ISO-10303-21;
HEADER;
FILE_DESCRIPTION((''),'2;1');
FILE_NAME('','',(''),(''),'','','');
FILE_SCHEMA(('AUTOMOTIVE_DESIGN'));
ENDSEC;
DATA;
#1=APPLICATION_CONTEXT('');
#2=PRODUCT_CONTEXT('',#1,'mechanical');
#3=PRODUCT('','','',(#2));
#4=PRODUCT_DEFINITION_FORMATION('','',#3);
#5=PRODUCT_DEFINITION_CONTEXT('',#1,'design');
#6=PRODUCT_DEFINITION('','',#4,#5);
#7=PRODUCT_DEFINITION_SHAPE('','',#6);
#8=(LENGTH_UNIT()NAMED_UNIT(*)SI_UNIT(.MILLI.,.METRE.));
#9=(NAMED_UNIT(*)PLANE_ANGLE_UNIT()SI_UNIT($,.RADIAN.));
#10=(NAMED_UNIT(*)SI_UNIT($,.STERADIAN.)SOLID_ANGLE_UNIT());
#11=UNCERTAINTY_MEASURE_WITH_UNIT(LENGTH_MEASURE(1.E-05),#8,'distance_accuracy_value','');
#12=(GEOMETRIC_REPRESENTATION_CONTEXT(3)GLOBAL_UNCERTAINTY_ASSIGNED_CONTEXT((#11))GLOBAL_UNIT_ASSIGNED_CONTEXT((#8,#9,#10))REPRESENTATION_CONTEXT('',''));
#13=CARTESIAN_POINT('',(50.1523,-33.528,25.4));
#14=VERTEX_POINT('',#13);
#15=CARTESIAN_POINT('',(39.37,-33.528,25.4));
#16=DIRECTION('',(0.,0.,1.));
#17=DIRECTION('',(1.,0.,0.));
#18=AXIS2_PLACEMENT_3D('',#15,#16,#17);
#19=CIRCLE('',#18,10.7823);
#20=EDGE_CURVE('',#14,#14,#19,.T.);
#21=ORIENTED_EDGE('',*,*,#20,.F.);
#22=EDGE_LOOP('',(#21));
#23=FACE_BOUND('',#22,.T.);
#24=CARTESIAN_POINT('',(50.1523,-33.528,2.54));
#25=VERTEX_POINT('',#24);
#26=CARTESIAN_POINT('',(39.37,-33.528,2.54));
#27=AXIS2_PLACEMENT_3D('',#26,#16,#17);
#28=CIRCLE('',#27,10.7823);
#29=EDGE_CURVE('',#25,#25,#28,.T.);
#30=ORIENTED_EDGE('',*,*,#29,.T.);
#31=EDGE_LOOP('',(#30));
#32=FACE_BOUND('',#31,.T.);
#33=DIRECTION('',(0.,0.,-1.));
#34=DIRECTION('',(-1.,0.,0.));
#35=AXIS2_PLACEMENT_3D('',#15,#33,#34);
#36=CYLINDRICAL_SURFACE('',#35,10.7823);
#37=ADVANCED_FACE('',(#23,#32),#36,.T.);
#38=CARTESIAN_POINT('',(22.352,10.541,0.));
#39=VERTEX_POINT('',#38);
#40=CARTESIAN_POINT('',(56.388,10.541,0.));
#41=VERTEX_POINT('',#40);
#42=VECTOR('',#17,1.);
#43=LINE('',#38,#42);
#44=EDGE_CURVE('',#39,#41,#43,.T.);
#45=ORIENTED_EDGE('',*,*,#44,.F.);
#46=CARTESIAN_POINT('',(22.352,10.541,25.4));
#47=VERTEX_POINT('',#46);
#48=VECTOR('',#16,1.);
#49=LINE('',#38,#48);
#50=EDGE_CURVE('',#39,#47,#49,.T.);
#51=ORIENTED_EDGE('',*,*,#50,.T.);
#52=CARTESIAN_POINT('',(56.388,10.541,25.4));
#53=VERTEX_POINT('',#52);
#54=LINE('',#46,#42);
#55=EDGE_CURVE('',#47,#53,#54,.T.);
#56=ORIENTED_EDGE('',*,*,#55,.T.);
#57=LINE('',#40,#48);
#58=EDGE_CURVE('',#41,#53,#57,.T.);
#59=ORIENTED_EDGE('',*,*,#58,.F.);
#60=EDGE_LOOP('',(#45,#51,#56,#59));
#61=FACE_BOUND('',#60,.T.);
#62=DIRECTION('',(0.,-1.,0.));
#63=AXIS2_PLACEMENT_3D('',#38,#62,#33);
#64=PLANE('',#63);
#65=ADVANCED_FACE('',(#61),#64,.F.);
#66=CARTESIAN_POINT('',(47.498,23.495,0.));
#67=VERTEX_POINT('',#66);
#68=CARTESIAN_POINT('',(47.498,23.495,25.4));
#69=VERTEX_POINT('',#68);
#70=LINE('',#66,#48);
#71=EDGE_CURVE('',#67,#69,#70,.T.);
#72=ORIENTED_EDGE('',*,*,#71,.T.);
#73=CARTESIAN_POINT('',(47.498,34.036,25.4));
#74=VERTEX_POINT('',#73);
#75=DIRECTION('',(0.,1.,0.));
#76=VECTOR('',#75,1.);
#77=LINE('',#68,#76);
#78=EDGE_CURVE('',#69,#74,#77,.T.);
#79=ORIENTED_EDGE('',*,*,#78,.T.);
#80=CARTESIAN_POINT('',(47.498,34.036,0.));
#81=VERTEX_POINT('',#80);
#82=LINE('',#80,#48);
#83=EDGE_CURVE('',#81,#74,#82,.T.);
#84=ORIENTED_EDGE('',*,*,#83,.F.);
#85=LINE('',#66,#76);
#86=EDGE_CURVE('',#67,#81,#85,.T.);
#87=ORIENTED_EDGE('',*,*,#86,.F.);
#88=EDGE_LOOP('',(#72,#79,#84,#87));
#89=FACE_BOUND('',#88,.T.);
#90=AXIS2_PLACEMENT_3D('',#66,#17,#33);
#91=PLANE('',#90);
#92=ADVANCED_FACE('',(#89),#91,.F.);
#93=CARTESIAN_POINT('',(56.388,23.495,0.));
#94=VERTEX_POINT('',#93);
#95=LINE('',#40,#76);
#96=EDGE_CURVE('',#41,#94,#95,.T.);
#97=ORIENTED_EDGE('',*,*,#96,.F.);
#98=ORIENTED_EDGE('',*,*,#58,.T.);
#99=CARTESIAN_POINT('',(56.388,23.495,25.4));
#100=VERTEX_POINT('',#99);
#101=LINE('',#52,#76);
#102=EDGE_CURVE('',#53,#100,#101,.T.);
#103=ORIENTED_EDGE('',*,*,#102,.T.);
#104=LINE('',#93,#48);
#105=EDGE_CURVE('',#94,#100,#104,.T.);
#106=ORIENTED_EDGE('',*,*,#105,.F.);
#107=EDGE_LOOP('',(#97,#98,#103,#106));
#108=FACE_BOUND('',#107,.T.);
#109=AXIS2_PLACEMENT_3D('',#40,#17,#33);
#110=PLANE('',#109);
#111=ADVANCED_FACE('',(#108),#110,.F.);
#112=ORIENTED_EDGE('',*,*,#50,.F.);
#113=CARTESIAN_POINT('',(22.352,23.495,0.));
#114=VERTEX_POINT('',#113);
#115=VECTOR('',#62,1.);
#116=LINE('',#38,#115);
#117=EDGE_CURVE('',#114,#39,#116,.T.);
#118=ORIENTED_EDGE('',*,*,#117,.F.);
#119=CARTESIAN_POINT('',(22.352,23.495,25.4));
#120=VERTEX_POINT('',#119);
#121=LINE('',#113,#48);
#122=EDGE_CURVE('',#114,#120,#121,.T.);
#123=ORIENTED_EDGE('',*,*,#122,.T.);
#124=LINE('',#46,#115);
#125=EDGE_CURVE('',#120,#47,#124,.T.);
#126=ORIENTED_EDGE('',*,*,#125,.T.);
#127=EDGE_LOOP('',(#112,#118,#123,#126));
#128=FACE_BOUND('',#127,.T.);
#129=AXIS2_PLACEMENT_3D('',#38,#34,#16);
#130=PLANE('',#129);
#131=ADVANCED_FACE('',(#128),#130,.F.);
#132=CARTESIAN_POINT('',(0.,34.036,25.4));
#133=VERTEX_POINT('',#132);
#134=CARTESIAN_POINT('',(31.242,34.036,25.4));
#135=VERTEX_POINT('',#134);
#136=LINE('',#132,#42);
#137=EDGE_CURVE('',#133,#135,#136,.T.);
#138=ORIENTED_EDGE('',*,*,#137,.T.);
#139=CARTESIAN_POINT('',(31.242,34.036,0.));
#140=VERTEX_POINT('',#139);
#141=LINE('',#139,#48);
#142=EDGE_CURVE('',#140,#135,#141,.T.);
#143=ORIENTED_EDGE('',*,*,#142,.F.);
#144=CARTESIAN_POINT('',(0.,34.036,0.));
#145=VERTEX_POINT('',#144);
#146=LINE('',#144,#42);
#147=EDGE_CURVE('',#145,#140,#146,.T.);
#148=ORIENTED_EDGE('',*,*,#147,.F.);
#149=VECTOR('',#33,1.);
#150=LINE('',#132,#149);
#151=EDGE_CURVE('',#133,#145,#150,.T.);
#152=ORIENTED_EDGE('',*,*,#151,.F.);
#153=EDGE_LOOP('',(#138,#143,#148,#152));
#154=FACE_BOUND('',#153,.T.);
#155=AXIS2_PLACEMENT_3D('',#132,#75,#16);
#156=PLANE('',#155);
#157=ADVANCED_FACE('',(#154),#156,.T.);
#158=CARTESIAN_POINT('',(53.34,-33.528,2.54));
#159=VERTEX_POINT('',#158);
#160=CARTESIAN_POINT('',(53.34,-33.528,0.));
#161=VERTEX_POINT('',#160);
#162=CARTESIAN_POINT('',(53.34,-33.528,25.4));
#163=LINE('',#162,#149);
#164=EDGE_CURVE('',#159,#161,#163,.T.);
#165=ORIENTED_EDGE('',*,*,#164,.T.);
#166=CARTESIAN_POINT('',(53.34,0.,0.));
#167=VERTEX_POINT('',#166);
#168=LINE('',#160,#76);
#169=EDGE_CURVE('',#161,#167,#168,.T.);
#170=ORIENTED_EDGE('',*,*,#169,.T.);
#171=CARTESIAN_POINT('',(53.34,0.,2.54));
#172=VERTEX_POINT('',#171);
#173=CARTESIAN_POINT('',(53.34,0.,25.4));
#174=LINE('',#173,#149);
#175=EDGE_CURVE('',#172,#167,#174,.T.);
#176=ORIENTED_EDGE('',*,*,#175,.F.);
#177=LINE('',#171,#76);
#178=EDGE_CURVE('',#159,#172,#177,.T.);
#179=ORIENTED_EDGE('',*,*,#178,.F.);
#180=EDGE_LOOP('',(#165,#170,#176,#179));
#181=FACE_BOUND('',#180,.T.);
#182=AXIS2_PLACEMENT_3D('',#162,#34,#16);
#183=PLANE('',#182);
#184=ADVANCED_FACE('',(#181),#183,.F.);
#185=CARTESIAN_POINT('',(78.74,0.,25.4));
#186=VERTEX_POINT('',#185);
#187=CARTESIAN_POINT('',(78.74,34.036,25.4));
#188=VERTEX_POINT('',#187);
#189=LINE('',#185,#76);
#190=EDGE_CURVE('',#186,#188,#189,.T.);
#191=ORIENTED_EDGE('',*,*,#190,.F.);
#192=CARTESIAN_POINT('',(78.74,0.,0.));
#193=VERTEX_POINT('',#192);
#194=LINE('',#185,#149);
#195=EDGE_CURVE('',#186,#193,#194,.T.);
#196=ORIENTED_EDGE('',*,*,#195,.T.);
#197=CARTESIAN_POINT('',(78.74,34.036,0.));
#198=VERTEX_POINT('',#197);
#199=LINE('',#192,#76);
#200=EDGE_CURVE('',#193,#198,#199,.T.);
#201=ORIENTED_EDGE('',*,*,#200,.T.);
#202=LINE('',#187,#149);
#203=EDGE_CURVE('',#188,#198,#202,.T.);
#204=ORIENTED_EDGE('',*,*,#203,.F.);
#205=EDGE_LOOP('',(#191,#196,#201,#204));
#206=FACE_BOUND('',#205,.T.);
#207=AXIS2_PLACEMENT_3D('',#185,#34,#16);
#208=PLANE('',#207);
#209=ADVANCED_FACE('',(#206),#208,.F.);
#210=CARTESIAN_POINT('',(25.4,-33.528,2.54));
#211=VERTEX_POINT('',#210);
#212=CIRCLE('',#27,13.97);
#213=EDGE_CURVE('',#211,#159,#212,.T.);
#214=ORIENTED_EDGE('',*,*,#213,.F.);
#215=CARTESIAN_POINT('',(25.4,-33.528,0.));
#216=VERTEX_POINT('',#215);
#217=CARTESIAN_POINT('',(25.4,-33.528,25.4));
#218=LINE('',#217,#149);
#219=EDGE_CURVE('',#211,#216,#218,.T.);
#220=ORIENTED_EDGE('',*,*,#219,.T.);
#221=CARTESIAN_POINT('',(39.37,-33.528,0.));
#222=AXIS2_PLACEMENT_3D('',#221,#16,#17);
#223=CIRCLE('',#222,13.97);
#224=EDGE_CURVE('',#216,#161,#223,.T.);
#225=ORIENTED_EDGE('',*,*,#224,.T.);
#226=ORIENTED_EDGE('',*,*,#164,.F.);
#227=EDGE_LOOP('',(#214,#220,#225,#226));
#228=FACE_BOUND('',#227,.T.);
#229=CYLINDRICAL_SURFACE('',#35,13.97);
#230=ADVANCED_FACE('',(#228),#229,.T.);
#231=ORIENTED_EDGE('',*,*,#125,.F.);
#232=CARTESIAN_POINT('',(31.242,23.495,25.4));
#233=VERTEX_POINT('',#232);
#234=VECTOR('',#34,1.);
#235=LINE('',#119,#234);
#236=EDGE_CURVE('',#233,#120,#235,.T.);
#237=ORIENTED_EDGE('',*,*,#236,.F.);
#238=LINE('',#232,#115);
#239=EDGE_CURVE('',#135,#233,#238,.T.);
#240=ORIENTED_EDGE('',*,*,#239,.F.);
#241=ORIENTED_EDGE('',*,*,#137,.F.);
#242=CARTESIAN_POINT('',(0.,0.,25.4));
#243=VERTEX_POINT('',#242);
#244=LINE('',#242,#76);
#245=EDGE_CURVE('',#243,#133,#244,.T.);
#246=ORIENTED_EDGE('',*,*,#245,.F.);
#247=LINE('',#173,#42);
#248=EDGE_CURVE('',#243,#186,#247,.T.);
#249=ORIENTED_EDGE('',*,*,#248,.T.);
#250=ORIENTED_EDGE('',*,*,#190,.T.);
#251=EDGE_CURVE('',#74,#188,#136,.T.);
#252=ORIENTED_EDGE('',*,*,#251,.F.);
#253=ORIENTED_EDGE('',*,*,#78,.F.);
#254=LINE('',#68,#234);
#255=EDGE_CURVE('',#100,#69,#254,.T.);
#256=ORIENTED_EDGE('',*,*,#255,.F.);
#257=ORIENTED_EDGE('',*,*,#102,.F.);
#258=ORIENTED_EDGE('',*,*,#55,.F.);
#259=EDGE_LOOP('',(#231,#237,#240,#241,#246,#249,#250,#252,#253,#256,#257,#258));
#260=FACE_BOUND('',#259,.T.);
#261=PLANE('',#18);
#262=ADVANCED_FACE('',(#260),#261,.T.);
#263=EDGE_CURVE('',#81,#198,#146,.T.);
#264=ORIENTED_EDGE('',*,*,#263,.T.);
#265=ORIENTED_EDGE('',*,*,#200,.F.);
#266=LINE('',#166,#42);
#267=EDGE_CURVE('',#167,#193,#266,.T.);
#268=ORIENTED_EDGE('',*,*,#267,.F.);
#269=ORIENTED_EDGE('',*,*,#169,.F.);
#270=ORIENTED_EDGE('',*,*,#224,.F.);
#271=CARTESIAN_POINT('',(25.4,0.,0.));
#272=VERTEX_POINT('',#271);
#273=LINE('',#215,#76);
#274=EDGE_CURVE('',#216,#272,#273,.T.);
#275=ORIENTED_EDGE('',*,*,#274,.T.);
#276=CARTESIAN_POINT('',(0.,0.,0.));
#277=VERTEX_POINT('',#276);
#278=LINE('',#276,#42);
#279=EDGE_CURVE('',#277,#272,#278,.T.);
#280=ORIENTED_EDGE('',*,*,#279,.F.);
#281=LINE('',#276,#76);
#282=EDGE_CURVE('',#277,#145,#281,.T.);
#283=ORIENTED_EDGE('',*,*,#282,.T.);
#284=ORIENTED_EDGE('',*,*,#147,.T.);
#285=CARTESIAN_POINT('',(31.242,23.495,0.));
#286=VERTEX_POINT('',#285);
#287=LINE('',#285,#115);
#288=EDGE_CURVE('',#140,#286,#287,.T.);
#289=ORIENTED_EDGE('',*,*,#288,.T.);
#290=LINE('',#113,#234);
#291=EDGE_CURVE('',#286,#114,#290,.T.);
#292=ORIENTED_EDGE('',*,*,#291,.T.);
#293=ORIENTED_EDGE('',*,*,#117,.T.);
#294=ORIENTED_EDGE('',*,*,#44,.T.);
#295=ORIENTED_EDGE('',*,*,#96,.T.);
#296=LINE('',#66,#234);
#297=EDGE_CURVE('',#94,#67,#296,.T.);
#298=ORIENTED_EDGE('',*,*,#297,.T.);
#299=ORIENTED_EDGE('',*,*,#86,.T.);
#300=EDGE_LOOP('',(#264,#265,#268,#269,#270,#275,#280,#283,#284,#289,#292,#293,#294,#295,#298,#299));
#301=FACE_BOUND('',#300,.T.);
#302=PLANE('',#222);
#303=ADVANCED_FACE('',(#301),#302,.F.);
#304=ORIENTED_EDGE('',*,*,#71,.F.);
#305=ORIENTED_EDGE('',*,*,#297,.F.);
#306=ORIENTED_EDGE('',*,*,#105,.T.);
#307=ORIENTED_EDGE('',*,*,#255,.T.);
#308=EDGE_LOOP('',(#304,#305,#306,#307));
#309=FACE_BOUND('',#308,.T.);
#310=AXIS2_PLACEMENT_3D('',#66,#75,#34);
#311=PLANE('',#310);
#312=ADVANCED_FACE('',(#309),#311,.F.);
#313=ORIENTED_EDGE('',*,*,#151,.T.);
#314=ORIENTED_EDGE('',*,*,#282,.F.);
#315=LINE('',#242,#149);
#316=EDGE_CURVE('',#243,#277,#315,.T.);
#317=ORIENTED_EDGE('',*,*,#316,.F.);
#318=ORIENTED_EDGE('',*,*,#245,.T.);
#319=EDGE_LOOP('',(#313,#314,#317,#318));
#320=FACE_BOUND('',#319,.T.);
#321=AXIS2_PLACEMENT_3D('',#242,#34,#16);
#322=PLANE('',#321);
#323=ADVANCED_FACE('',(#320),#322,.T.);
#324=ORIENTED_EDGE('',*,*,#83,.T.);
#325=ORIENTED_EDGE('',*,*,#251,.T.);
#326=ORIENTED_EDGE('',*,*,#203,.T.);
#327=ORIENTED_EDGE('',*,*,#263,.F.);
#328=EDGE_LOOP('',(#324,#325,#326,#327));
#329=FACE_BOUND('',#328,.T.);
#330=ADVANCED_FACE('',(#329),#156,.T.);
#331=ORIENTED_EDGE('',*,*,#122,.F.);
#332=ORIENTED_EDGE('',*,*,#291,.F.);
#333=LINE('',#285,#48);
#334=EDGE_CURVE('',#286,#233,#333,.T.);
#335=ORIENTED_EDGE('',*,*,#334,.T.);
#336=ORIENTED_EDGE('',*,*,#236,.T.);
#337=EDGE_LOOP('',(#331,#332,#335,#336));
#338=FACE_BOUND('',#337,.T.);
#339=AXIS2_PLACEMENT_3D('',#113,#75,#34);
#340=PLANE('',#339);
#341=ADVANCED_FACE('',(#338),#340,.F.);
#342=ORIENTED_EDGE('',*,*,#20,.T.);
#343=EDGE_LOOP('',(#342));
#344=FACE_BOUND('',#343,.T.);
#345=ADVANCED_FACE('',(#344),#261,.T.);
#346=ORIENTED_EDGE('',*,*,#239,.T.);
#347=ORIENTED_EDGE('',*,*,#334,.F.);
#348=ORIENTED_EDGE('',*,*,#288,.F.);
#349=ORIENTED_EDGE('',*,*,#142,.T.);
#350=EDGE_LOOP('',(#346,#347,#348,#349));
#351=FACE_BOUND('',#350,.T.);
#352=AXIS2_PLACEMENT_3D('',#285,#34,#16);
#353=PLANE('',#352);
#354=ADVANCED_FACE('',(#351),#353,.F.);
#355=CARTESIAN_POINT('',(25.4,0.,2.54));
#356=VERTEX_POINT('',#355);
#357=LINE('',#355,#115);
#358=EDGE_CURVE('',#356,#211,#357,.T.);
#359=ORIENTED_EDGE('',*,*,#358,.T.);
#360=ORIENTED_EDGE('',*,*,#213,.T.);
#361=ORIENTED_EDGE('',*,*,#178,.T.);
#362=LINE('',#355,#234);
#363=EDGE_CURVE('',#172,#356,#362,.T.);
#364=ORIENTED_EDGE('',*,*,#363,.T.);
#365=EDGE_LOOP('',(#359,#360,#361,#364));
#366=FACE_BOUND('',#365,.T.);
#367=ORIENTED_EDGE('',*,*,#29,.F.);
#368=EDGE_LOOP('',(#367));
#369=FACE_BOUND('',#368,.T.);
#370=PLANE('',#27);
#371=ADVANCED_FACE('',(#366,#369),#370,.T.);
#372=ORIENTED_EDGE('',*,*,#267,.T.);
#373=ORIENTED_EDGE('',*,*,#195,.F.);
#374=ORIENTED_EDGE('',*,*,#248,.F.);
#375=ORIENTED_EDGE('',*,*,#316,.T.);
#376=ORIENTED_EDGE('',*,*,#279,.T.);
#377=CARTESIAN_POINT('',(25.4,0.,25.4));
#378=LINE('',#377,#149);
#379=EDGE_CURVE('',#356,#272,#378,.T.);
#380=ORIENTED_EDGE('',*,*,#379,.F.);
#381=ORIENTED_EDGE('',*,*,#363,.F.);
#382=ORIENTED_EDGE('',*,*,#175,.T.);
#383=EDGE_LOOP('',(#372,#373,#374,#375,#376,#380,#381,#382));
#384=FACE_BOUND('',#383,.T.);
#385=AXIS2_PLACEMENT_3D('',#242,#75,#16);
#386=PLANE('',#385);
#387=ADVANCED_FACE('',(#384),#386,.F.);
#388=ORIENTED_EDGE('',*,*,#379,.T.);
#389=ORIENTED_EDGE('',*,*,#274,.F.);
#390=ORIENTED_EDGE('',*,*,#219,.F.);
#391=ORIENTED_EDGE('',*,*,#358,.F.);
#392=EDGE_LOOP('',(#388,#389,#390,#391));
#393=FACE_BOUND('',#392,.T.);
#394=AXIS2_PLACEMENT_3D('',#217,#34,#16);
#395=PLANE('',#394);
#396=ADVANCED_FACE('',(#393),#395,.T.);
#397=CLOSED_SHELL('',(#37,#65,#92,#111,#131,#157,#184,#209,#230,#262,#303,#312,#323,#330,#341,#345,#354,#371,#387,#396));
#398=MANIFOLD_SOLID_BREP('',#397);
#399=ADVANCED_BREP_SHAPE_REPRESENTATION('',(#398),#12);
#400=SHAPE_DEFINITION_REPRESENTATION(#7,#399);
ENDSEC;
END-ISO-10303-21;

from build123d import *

# Parameters (mm, degrees)
BOSS_EXTRUDE3_DEPTH = 25.4
CUT_EXTRUDE2_DEPTH  = 96.400249497
CUT_EXTRUDE3_START  = -22.86
CUT_EXTRUDE3_DEPTH  = 22.86
SKETCH8_R           = 10.7823
BOSS_EXTRUDE4_DEPTH = 22.86


with BuildPart() as part:
    # Sketch4 → Boss-Extrude3 (new body)
    with BuildSketch(Plane.XY):
        with BuildLine():
            Line((0, 0), (25.4, 0))
            Line((25.4, 0), (25.4, -33.528))
            ThreePointArc((25.4, -33.528), (39.37, -47.498), (53.34, -33.528))
            Line((53.34, -33.528), (53.34, 0))
            Line((53.34, 0), (78.74, 0))
            Line((78.74, 0), (78.74, 34.036))
            Line((78.74, 34.036), (0, 34.036))
            Line((0, 34.036), (0, 0))
        make_face()
    extrude(amount=BOSS_EXTRUDE3_DEPTH)

    # Sketch5 → Cut-Extrude2 (cut, through all)
    with BuildSketch(Plane.XY.offset(25.4)):
        Polygon((47.498, 23.495), (56.388, 23.495), (56.388, 10.541), (22.352, 10.541), (22.352, 23.495), (31.242, 23.495), (31.242, 34.036), (47.498, 34.036), align=None)
    extrude(amount=-CUT_EXTRUDE2_DEPTH, mode=Mode.SUBTRACT)

    # Sketch7 → Cut-Extrude3 (cut)
    with BuildSketch(Plane.XY.offset(25.4).offset(CUT_EXTRUDE3_START)):
        with BuildLine():
            Line((25.4, 0), (53.34, 0))
            Line((53.34, 0), (53.34, -33.528))
            ThreePointArc((53.34, -33.528), (39.37, -47.498), (25.4, -33.528))
            Line((25.4, -33.528), (25.4, 0))
        make_face()
    extrude(amount=CUT_EXTRUDE3_DEPTH, mode=Mode.SUBTRACT)

    # Sketch8 → Boss-Extrude4 (add)
    with BuildSketch(Plane.XY.offset(2.54)):
        with Locations((39.37, -33.528)):
            Circle(SKETCH8_R)
    extrude(amount=BOSS_EXTRUDE4_DEPTH)


solid = part.part
